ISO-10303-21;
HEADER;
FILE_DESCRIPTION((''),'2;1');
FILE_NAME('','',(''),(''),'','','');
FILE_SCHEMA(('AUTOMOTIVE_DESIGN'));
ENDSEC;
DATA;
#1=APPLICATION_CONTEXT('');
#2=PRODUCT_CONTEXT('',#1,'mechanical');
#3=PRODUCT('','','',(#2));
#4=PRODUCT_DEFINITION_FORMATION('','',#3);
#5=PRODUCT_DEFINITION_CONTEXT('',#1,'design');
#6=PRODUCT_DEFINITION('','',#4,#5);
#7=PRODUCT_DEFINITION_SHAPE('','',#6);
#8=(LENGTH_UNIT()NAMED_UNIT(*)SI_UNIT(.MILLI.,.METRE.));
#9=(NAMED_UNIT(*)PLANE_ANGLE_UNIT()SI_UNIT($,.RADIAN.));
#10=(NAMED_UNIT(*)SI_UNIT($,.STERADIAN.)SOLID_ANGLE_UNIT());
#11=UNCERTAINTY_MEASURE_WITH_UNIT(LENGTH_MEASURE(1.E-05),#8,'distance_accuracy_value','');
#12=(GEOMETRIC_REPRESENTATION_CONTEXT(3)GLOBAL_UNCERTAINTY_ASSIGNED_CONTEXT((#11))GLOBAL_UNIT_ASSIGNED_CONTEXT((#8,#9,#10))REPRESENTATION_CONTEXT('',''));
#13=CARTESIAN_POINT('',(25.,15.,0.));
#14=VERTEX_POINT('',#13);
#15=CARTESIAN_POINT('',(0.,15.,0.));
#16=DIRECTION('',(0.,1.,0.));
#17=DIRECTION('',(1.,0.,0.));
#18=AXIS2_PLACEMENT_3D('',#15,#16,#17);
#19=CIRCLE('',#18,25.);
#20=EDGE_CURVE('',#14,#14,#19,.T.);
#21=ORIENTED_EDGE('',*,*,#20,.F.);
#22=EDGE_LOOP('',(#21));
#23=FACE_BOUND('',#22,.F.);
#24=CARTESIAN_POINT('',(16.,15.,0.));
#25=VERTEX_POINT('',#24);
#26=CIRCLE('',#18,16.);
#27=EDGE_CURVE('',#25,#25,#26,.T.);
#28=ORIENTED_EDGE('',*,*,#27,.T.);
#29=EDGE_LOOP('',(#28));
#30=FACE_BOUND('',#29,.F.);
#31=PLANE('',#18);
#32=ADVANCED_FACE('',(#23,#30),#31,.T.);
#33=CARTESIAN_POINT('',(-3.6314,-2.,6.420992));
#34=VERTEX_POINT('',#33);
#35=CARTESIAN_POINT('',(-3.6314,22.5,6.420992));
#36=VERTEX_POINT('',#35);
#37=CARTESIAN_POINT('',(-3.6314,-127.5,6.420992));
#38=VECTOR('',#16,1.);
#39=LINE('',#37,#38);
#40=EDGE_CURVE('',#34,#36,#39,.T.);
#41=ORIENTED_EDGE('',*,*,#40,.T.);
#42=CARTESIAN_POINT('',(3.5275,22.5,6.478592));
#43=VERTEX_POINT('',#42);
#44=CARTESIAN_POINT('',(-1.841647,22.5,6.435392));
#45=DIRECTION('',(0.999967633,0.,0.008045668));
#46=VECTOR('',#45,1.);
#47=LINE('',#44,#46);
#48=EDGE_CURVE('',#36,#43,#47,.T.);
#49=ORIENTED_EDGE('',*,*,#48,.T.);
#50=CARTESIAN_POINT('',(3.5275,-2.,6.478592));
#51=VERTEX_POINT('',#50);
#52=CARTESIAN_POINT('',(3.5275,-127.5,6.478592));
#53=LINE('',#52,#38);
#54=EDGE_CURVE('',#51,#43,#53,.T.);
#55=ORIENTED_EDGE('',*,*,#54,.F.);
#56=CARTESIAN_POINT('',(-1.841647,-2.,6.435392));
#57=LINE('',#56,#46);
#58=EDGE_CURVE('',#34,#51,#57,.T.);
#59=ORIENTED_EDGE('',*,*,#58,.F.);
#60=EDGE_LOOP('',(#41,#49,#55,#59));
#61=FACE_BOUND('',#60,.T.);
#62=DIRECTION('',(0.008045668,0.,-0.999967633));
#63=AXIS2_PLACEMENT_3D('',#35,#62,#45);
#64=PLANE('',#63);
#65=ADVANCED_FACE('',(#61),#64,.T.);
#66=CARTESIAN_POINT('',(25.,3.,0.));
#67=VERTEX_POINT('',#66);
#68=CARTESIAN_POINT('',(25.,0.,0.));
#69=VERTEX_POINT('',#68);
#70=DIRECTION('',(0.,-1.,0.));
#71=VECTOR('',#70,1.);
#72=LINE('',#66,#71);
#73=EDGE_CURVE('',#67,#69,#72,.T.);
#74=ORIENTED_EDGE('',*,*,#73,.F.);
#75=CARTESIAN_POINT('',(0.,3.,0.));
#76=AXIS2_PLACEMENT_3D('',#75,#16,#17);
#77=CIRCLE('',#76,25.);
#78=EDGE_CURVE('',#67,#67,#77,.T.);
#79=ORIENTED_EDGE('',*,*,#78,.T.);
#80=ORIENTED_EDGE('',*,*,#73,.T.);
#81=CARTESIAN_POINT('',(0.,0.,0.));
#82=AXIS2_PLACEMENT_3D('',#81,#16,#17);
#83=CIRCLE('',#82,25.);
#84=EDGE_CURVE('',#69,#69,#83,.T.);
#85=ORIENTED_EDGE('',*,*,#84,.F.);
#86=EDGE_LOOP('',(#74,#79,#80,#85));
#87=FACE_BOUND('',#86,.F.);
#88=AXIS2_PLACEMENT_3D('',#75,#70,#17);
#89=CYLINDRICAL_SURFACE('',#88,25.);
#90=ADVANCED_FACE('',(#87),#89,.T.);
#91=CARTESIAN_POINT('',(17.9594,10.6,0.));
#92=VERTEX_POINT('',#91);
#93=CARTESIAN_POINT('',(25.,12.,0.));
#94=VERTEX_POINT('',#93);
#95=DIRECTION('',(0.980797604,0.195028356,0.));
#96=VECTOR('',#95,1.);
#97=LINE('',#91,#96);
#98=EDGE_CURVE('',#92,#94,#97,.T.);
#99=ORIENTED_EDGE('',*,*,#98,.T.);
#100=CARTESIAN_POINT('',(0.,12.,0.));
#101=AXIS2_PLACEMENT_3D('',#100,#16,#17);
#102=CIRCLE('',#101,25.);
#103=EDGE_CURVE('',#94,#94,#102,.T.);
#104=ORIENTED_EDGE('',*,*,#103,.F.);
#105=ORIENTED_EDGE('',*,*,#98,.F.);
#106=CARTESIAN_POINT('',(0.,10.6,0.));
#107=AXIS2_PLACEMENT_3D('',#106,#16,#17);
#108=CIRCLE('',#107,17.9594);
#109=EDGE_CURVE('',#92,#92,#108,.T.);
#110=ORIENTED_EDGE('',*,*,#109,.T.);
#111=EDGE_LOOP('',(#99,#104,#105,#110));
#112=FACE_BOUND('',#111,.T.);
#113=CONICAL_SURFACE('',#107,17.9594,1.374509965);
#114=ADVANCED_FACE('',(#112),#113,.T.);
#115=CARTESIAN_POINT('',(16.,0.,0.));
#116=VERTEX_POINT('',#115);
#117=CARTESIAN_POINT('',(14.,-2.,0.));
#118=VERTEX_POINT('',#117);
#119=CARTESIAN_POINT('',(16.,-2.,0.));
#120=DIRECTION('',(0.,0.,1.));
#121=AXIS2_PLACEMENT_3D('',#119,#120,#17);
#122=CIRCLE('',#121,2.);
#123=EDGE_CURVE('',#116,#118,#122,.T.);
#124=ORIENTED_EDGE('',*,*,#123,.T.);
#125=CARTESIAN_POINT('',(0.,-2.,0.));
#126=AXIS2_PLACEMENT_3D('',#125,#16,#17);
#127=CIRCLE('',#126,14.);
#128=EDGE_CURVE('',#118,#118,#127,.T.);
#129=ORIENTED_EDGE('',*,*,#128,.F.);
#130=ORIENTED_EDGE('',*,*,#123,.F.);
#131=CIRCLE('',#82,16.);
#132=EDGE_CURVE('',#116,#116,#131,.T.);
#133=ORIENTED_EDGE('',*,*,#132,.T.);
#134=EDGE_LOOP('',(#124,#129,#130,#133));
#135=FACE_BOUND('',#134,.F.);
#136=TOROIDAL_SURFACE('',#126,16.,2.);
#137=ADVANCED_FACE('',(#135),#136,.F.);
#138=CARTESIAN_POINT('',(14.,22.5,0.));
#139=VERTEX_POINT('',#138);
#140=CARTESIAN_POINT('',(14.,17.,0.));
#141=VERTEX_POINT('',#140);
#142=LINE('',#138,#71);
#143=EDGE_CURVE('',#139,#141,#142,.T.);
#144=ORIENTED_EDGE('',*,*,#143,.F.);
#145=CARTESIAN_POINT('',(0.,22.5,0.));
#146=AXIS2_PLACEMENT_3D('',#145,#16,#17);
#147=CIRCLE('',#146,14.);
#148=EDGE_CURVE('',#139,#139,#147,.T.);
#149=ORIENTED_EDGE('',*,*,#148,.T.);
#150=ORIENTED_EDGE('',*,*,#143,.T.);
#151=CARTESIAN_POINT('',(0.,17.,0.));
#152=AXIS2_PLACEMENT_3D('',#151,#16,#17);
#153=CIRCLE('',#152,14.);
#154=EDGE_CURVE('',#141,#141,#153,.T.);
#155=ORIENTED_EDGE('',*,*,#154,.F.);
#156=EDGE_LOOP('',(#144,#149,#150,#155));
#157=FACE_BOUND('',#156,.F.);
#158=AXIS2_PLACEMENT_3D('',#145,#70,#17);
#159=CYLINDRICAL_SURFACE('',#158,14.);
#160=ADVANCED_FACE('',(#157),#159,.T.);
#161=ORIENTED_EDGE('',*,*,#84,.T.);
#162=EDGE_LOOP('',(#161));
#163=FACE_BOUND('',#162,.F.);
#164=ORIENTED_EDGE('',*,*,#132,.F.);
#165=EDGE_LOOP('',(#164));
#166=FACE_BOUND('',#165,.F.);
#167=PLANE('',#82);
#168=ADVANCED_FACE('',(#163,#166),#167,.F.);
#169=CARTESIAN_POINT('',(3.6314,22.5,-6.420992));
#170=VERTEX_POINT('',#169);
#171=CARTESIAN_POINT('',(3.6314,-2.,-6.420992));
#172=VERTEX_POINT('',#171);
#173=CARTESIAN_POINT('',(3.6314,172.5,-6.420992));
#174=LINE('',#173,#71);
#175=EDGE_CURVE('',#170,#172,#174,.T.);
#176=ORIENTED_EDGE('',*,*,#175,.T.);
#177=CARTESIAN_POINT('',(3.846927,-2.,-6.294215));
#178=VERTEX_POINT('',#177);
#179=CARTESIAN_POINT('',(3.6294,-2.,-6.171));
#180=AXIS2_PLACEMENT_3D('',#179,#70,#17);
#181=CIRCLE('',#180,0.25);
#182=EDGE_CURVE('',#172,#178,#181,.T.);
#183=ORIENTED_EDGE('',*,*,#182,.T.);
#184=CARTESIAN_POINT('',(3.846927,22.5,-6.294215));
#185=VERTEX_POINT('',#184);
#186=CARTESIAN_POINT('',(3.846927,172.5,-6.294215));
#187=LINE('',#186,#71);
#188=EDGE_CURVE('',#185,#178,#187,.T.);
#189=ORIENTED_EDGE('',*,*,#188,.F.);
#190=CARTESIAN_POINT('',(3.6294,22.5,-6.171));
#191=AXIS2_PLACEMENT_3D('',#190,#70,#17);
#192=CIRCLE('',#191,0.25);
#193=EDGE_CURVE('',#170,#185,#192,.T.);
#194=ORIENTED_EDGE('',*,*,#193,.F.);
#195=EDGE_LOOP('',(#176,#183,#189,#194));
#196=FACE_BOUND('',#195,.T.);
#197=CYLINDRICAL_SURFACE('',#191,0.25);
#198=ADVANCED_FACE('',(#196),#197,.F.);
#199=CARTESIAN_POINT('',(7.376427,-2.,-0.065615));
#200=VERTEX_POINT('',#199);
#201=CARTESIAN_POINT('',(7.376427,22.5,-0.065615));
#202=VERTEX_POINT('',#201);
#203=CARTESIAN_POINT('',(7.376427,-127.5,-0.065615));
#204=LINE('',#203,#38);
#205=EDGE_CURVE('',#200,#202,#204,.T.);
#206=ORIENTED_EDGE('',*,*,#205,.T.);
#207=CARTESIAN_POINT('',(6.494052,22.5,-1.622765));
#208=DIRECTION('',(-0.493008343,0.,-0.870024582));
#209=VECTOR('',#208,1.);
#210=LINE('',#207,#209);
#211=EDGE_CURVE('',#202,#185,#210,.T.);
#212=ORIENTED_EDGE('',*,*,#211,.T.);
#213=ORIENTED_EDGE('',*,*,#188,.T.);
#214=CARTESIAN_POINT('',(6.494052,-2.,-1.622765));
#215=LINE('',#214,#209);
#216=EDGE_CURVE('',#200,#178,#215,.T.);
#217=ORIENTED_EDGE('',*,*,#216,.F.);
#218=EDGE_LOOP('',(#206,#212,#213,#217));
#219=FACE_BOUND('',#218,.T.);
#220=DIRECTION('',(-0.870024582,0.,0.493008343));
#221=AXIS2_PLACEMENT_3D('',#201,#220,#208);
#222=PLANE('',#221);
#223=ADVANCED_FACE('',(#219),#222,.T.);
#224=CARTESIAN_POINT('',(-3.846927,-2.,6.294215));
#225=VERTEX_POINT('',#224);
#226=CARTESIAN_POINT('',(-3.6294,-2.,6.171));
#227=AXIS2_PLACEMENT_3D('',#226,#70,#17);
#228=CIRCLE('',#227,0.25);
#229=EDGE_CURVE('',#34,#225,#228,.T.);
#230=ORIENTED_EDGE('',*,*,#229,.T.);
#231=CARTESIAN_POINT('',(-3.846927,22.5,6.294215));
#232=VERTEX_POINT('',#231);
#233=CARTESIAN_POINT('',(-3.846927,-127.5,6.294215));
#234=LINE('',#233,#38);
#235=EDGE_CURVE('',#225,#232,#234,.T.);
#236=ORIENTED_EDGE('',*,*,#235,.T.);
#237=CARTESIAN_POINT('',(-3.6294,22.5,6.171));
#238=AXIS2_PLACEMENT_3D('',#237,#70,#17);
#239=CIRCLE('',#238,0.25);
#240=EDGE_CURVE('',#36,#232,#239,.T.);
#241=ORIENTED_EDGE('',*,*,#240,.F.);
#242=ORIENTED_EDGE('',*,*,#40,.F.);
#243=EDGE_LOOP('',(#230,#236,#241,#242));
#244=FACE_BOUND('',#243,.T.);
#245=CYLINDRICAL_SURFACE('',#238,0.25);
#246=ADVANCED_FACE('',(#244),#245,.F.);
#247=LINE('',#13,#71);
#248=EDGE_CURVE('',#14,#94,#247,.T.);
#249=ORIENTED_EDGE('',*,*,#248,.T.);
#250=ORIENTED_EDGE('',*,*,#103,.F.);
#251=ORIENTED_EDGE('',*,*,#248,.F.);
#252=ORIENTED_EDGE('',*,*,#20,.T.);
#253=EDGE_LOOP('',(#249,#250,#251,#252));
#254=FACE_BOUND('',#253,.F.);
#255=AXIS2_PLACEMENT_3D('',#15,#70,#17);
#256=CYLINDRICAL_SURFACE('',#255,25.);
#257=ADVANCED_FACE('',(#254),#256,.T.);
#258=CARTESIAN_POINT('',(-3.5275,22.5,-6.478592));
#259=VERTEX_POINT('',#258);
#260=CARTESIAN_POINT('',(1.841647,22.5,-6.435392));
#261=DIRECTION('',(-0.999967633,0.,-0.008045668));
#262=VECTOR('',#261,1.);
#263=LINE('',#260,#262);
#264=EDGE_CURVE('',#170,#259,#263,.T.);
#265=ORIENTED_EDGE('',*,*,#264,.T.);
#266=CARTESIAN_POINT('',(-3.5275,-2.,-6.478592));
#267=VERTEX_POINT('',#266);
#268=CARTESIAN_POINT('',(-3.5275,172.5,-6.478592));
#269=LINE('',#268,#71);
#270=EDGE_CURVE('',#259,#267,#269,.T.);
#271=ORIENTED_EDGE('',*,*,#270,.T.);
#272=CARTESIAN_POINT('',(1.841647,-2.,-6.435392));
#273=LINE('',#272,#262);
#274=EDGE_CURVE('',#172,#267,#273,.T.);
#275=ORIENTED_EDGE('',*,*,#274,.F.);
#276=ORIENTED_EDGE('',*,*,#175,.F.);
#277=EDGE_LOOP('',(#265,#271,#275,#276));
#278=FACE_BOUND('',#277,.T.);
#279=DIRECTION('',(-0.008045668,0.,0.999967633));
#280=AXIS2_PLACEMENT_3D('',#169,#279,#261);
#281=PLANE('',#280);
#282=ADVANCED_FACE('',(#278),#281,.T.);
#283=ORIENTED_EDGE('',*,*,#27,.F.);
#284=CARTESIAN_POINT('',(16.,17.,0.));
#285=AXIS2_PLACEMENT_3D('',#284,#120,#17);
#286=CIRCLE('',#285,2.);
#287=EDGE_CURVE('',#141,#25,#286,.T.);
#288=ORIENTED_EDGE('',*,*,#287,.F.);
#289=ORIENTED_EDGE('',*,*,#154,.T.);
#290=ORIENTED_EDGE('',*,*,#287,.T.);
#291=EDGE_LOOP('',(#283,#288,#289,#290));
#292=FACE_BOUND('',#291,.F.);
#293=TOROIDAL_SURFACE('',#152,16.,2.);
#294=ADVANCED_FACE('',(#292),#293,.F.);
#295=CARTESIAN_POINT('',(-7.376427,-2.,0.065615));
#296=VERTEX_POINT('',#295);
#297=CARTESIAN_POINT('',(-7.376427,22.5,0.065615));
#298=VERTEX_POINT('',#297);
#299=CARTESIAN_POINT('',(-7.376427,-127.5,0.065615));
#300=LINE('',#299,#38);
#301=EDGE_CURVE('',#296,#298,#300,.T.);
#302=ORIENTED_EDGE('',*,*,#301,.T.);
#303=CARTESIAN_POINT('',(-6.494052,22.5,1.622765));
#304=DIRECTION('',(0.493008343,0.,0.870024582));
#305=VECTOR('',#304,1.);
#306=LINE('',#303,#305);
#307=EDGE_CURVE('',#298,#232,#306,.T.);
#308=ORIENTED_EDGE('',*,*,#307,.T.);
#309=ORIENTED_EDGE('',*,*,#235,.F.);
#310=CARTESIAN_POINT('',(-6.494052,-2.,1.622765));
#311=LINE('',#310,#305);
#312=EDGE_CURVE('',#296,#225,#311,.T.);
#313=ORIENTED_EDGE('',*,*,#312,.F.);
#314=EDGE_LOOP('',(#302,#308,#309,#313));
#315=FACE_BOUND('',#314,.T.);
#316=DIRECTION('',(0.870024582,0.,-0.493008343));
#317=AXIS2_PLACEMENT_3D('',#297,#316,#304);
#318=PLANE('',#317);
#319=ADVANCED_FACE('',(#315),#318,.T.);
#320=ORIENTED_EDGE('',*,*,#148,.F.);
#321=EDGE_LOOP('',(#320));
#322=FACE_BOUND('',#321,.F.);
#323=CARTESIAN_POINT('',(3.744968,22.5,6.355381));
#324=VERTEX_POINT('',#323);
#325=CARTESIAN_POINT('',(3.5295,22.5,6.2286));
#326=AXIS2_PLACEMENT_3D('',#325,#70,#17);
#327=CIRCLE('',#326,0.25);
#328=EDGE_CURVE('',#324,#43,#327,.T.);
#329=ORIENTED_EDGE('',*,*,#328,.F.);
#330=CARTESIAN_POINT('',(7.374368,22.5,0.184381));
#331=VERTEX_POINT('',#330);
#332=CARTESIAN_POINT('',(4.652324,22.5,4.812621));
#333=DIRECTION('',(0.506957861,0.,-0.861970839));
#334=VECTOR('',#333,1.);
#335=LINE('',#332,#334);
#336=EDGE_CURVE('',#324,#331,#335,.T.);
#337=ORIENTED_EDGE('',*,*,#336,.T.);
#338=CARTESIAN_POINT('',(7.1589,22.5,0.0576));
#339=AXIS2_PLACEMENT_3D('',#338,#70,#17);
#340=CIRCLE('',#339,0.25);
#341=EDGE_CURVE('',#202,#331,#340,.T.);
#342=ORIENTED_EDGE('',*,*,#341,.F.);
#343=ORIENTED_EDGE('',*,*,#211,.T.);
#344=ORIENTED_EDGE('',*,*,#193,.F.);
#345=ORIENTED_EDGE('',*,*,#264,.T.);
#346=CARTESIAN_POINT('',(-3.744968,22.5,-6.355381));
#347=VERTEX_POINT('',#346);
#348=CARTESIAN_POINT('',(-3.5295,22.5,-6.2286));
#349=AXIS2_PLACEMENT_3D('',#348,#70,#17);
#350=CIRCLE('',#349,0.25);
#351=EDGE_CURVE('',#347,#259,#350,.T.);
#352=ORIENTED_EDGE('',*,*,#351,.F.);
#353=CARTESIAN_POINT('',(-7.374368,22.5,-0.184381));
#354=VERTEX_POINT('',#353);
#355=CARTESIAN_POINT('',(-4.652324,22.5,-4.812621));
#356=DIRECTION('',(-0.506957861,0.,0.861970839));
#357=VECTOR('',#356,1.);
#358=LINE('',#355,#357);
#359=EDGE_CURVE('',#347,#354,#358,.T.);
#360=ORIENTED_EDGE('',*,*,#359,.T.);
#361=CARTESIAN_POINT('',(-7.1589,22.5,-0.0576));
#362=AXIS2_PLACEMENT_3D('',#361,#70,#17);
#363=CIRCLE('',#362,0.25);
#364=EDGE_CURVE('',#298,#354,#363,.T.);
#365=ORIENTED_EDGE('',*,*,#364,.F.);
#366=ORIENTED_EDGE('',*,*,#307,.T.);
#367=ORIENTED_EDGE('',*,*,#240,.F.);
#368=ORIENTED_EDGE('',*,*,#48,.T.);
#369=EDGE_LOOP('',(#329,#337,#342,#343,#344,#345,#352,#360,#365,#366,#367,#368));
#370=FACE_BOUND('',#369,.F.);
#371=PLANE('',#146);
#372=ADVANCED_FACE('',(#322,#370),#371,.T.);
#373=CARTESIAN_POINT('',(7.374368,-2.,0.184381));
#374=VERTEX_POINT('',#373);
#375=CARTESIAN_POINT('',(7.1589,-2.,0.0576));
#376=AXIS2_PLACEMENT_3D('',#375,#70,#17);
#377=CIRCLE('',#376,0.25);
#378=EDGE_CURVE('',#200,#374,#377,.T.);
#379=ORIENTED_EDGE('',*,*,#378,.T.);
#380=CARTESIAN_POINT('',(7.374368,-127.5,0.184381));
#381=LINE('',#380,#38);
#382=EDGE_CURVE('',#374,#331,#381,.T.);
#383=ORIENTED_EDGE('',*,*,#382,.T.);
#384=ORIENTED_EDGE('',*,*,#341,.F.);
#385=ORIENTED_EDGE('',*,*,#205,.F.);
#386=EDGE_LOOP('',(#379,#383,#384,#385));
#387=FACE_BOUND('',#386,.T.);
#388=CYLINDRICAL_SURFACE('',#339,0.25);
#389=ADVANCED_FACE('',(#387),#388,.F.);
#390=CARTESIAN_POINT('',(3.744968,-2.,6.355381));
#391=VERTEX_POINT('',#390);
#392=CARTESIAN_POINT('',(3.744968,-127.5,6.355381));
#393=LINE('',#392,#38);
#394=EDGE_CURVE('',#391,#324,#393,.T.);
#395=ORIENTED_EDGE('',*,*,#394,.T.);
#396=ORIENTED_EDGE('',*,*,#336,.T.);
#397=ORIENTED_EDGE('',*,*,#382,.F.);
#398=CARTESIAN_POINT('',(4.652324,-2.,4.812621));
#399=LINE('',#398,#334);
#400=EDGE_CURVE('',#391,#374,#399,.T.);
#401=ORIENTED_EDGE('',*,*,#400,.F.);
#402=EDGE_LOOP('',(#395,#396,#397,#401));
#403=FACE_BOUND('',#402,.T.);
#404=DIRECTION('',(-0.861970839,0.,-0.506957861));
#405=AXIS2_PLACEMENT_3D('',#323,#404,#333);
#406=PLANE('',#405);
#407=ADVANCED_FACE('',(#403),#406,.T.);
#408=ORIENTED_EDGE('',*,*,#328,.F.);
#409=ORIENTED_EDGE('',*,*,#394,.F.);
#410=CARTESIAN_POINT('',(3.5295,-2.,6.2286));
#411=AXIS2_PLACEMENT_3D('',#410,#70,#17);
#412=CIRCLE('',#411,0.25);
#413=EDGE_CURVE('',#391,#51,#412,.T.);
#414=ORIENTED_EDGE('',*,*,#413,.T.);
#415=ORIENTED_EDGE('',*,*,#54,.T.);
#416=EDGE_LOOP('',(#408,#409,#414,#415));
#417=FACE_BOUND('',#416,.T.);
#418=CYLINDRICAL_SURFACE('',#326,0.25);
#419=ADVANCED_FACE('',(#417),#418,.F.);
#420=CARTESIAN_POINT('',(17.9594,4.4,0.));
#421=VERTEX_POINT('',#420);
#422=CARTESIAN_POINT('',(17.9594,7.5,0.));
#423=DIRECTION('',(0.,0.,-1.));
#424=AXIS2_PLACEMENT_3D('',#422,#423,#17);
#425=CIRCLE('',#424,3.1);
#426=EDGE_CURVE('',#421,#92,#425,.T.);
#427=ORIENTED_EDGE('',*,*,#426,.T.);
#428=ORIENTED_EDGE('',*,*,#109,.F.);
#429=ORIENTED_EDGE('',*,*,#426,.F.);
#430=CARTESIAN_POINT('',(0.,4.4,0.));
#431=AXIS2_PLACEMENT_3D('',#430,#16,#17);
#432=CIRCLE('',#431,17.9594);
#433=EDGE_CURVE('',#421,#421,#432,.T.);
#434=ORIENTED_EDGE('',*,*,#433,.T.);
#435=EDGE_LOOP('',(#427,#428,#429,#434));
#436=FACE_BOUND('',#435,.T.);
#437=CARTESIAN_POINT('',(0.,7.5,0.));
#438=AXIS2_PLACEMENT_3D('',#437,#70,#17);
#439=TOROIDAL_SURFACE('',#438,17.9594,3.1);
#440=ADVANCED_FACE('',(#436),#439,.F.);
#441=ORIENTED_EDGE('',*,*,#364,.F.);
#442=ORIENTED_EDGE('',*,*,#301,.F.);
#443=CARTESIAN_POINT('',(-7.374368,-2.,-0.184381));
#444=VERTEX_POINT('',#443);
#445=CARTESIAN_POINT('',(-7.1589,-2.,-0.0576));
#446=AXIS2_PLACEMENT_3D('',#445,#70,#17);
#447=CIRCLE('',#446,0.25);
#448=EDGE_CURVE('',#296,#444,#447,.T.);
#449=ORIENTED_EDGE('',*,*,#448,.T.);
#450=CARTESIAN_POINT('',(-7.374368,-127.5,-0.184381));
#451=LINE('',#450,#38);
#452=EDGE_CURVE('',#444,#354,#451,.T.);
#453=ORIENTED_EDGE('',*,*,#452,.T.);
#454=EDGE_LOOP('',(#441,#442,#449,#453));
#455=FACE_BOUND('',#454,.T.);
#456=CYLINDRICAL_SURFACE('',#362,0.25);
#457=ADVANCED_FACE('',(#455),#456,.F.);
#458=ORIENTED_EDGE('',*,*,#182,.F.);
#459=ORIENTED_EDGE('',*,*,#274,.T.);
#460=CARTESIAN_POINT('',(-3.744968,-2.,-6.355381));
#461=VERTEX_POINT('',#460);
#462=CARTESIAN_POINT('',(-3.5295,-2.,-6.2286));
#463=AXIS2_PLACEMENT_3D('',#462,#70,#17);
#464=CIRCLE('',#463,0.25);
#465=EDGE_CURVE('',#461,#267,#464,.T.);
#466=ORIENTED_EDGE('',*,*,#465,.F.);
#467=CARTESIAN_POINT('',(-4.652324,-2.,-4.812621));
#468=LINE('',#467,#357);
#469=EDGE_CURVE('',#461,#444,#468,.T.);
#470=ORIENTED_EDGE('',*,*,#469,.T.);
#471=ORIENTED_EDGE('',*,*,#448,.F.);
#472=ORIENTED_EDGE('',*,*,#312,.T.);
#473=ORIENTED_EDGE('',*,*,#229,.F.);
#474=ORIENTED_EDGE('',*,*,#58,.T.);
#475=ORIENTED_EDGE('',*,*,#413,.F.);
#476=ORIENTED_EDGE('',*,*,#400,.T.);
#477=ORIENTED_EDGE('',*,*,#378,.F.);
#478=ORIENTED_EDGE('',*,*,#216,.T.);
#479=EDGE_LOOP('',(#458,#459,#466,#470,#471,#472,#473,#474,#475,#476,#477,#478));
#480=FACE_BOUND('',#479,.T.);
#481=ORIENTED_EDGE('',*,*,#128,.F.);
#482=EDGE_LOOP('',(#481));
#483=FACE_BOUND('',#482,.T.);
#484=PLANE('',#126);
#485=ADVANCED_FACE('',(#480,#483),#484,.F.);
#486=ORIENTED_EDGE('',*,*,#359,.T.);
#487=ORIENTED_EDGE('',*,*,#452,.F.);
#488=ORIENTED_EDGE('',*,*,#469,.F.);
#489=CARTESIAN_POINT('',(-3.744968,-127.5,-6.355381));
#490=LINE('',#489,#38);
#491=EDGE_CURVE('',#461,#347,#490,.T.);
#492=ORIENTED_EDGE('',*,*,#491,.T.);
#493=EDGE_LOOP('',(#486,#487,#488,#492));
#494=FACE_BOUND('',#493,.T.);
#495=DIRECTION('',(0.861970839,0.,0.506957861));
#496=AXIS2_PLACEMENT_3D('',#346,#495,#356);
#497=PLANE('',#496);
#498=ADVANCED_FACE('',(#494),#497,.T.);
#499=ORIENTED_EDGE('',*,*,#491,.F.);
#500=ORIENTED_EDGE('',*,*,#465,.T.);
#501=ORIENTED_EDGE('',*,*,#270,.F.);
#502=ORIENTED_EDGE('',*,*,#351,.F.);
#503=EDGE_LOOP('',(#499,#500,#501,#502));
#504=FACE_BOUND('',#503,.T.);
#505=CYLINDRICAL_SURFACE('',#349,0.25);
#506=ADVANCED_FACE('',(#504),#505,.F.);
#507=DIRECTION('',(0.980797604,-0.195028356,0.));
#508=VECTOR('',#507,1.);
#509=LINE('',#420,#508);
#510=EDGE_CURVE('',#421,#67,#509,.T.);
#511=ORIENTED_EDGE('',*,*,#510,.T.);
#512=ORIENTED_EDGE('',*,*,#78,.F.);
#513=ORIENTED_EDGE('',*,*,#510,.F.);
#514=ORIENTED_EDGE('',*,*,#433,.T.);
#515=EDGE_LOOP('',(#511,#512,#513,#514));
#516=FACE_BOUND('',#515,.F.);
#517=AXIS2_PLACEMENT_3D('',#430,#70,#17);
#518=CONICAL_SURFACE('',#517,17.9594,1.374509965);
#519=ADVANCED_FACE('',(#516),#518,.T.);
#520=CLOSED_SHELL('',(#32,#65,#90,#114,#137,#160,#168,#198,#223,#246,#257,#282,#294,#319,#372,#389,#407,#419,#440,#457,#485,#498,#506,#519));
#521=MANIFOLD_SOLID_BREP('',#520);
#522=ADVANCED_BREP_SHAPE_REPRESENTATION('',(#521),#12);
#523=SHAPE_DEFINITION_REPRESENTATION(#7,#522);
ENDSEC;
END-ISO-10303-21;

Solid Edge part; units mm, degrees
sketch "Sketch1" plane through (0, 0, 0) normal (0, 0, 1) x (1, 0, 0)
  line L0 (0, 22.5) -> (14, 22.5)
  line L1 (14, 22.5) -> (14, 17)
  arc A0 (14, 17) -> (16, 15) centre (16, 17) ccw
  line L2 (16, 15) -> (25, 15)
  line L3 (25, 15) -> (25, 12)
  line L4 (17.9594, 10.6) -> (25, 12)
  line L5 (17.9594, 4.4) -> (25, 3)
  line L6 (25, 3) -> (25, 0)
  line L7 (25, 0) -> (16, 0)
  arc A1 (16, 0) -> (14, -2) centre (16, -2) ccw
  line L8 (0, -2) -> (14, -2)
  line L9 (0, 0) -> (0, -2)
  line L10 (0, 0) -> (0, 15)
  line L11 (0, 15) -> (0, 22.5)
  arc A2 (17.9594, 4.4) -> (17.9594, 10.6) centre (17.9594, 7.5) cw
revolve "RevolvedProtrusion1" add sketch "Sketch1" angle 360 about axis through (0, 15, 0) along (0, 1, 0)
sketch "Sketch2" plane through (0, 22.5, 0) normal (0, 1, 0) x (1, 0, 0)
  arc A0 (-3.5275, 6.4786) -> (-3.745, 6.3554) centre (-3.5295, 6.2286) ccw
  line L0 (-3.745, 6.3554) -> (-7.3744, 0.1844)
  arc A1 (-7.3744, 0.1844) -> (-7.3764, -0.0656) centre (-7.1589, 0.0576) ccw
  line L1 (-7.3764, -0.0656) -> (-3.8469, -6.2942)
  arc A2 (-3.8469, -6.2942) -> (-3.6314, -6.421) centre (-3.6294, -6.171) ccw
  line L2 (-3.6314, -6.421) -> (3.5275, -6.4786)
  arc A3 (3.5275, -6.4786) -> (3.745, -6.3554) centre (3.5295, -6.2286) ccw
  line L3 (3.745, -6.3554) -> (7.3744, -0.1844)
  arc A4 (7.3744, -0.1844) -> (7.3764, 0.0656) centre (7.1589, -0.0576) ccw
  line L4 (7.3764, 0.0656) -> (3.8469, 6.2942)
  arc A5 (3.8469, 6.2942) -> (3.6314, 6.421) centre (3.6294, 6.171) ccw
  line L5 (3.6314, 6.421) -> (-3.5275, 6.4786)
extrude "Cutout1" cut sketch "Sketch2" along normal through all and the other way through all
properties part number "BumbleB0504"
